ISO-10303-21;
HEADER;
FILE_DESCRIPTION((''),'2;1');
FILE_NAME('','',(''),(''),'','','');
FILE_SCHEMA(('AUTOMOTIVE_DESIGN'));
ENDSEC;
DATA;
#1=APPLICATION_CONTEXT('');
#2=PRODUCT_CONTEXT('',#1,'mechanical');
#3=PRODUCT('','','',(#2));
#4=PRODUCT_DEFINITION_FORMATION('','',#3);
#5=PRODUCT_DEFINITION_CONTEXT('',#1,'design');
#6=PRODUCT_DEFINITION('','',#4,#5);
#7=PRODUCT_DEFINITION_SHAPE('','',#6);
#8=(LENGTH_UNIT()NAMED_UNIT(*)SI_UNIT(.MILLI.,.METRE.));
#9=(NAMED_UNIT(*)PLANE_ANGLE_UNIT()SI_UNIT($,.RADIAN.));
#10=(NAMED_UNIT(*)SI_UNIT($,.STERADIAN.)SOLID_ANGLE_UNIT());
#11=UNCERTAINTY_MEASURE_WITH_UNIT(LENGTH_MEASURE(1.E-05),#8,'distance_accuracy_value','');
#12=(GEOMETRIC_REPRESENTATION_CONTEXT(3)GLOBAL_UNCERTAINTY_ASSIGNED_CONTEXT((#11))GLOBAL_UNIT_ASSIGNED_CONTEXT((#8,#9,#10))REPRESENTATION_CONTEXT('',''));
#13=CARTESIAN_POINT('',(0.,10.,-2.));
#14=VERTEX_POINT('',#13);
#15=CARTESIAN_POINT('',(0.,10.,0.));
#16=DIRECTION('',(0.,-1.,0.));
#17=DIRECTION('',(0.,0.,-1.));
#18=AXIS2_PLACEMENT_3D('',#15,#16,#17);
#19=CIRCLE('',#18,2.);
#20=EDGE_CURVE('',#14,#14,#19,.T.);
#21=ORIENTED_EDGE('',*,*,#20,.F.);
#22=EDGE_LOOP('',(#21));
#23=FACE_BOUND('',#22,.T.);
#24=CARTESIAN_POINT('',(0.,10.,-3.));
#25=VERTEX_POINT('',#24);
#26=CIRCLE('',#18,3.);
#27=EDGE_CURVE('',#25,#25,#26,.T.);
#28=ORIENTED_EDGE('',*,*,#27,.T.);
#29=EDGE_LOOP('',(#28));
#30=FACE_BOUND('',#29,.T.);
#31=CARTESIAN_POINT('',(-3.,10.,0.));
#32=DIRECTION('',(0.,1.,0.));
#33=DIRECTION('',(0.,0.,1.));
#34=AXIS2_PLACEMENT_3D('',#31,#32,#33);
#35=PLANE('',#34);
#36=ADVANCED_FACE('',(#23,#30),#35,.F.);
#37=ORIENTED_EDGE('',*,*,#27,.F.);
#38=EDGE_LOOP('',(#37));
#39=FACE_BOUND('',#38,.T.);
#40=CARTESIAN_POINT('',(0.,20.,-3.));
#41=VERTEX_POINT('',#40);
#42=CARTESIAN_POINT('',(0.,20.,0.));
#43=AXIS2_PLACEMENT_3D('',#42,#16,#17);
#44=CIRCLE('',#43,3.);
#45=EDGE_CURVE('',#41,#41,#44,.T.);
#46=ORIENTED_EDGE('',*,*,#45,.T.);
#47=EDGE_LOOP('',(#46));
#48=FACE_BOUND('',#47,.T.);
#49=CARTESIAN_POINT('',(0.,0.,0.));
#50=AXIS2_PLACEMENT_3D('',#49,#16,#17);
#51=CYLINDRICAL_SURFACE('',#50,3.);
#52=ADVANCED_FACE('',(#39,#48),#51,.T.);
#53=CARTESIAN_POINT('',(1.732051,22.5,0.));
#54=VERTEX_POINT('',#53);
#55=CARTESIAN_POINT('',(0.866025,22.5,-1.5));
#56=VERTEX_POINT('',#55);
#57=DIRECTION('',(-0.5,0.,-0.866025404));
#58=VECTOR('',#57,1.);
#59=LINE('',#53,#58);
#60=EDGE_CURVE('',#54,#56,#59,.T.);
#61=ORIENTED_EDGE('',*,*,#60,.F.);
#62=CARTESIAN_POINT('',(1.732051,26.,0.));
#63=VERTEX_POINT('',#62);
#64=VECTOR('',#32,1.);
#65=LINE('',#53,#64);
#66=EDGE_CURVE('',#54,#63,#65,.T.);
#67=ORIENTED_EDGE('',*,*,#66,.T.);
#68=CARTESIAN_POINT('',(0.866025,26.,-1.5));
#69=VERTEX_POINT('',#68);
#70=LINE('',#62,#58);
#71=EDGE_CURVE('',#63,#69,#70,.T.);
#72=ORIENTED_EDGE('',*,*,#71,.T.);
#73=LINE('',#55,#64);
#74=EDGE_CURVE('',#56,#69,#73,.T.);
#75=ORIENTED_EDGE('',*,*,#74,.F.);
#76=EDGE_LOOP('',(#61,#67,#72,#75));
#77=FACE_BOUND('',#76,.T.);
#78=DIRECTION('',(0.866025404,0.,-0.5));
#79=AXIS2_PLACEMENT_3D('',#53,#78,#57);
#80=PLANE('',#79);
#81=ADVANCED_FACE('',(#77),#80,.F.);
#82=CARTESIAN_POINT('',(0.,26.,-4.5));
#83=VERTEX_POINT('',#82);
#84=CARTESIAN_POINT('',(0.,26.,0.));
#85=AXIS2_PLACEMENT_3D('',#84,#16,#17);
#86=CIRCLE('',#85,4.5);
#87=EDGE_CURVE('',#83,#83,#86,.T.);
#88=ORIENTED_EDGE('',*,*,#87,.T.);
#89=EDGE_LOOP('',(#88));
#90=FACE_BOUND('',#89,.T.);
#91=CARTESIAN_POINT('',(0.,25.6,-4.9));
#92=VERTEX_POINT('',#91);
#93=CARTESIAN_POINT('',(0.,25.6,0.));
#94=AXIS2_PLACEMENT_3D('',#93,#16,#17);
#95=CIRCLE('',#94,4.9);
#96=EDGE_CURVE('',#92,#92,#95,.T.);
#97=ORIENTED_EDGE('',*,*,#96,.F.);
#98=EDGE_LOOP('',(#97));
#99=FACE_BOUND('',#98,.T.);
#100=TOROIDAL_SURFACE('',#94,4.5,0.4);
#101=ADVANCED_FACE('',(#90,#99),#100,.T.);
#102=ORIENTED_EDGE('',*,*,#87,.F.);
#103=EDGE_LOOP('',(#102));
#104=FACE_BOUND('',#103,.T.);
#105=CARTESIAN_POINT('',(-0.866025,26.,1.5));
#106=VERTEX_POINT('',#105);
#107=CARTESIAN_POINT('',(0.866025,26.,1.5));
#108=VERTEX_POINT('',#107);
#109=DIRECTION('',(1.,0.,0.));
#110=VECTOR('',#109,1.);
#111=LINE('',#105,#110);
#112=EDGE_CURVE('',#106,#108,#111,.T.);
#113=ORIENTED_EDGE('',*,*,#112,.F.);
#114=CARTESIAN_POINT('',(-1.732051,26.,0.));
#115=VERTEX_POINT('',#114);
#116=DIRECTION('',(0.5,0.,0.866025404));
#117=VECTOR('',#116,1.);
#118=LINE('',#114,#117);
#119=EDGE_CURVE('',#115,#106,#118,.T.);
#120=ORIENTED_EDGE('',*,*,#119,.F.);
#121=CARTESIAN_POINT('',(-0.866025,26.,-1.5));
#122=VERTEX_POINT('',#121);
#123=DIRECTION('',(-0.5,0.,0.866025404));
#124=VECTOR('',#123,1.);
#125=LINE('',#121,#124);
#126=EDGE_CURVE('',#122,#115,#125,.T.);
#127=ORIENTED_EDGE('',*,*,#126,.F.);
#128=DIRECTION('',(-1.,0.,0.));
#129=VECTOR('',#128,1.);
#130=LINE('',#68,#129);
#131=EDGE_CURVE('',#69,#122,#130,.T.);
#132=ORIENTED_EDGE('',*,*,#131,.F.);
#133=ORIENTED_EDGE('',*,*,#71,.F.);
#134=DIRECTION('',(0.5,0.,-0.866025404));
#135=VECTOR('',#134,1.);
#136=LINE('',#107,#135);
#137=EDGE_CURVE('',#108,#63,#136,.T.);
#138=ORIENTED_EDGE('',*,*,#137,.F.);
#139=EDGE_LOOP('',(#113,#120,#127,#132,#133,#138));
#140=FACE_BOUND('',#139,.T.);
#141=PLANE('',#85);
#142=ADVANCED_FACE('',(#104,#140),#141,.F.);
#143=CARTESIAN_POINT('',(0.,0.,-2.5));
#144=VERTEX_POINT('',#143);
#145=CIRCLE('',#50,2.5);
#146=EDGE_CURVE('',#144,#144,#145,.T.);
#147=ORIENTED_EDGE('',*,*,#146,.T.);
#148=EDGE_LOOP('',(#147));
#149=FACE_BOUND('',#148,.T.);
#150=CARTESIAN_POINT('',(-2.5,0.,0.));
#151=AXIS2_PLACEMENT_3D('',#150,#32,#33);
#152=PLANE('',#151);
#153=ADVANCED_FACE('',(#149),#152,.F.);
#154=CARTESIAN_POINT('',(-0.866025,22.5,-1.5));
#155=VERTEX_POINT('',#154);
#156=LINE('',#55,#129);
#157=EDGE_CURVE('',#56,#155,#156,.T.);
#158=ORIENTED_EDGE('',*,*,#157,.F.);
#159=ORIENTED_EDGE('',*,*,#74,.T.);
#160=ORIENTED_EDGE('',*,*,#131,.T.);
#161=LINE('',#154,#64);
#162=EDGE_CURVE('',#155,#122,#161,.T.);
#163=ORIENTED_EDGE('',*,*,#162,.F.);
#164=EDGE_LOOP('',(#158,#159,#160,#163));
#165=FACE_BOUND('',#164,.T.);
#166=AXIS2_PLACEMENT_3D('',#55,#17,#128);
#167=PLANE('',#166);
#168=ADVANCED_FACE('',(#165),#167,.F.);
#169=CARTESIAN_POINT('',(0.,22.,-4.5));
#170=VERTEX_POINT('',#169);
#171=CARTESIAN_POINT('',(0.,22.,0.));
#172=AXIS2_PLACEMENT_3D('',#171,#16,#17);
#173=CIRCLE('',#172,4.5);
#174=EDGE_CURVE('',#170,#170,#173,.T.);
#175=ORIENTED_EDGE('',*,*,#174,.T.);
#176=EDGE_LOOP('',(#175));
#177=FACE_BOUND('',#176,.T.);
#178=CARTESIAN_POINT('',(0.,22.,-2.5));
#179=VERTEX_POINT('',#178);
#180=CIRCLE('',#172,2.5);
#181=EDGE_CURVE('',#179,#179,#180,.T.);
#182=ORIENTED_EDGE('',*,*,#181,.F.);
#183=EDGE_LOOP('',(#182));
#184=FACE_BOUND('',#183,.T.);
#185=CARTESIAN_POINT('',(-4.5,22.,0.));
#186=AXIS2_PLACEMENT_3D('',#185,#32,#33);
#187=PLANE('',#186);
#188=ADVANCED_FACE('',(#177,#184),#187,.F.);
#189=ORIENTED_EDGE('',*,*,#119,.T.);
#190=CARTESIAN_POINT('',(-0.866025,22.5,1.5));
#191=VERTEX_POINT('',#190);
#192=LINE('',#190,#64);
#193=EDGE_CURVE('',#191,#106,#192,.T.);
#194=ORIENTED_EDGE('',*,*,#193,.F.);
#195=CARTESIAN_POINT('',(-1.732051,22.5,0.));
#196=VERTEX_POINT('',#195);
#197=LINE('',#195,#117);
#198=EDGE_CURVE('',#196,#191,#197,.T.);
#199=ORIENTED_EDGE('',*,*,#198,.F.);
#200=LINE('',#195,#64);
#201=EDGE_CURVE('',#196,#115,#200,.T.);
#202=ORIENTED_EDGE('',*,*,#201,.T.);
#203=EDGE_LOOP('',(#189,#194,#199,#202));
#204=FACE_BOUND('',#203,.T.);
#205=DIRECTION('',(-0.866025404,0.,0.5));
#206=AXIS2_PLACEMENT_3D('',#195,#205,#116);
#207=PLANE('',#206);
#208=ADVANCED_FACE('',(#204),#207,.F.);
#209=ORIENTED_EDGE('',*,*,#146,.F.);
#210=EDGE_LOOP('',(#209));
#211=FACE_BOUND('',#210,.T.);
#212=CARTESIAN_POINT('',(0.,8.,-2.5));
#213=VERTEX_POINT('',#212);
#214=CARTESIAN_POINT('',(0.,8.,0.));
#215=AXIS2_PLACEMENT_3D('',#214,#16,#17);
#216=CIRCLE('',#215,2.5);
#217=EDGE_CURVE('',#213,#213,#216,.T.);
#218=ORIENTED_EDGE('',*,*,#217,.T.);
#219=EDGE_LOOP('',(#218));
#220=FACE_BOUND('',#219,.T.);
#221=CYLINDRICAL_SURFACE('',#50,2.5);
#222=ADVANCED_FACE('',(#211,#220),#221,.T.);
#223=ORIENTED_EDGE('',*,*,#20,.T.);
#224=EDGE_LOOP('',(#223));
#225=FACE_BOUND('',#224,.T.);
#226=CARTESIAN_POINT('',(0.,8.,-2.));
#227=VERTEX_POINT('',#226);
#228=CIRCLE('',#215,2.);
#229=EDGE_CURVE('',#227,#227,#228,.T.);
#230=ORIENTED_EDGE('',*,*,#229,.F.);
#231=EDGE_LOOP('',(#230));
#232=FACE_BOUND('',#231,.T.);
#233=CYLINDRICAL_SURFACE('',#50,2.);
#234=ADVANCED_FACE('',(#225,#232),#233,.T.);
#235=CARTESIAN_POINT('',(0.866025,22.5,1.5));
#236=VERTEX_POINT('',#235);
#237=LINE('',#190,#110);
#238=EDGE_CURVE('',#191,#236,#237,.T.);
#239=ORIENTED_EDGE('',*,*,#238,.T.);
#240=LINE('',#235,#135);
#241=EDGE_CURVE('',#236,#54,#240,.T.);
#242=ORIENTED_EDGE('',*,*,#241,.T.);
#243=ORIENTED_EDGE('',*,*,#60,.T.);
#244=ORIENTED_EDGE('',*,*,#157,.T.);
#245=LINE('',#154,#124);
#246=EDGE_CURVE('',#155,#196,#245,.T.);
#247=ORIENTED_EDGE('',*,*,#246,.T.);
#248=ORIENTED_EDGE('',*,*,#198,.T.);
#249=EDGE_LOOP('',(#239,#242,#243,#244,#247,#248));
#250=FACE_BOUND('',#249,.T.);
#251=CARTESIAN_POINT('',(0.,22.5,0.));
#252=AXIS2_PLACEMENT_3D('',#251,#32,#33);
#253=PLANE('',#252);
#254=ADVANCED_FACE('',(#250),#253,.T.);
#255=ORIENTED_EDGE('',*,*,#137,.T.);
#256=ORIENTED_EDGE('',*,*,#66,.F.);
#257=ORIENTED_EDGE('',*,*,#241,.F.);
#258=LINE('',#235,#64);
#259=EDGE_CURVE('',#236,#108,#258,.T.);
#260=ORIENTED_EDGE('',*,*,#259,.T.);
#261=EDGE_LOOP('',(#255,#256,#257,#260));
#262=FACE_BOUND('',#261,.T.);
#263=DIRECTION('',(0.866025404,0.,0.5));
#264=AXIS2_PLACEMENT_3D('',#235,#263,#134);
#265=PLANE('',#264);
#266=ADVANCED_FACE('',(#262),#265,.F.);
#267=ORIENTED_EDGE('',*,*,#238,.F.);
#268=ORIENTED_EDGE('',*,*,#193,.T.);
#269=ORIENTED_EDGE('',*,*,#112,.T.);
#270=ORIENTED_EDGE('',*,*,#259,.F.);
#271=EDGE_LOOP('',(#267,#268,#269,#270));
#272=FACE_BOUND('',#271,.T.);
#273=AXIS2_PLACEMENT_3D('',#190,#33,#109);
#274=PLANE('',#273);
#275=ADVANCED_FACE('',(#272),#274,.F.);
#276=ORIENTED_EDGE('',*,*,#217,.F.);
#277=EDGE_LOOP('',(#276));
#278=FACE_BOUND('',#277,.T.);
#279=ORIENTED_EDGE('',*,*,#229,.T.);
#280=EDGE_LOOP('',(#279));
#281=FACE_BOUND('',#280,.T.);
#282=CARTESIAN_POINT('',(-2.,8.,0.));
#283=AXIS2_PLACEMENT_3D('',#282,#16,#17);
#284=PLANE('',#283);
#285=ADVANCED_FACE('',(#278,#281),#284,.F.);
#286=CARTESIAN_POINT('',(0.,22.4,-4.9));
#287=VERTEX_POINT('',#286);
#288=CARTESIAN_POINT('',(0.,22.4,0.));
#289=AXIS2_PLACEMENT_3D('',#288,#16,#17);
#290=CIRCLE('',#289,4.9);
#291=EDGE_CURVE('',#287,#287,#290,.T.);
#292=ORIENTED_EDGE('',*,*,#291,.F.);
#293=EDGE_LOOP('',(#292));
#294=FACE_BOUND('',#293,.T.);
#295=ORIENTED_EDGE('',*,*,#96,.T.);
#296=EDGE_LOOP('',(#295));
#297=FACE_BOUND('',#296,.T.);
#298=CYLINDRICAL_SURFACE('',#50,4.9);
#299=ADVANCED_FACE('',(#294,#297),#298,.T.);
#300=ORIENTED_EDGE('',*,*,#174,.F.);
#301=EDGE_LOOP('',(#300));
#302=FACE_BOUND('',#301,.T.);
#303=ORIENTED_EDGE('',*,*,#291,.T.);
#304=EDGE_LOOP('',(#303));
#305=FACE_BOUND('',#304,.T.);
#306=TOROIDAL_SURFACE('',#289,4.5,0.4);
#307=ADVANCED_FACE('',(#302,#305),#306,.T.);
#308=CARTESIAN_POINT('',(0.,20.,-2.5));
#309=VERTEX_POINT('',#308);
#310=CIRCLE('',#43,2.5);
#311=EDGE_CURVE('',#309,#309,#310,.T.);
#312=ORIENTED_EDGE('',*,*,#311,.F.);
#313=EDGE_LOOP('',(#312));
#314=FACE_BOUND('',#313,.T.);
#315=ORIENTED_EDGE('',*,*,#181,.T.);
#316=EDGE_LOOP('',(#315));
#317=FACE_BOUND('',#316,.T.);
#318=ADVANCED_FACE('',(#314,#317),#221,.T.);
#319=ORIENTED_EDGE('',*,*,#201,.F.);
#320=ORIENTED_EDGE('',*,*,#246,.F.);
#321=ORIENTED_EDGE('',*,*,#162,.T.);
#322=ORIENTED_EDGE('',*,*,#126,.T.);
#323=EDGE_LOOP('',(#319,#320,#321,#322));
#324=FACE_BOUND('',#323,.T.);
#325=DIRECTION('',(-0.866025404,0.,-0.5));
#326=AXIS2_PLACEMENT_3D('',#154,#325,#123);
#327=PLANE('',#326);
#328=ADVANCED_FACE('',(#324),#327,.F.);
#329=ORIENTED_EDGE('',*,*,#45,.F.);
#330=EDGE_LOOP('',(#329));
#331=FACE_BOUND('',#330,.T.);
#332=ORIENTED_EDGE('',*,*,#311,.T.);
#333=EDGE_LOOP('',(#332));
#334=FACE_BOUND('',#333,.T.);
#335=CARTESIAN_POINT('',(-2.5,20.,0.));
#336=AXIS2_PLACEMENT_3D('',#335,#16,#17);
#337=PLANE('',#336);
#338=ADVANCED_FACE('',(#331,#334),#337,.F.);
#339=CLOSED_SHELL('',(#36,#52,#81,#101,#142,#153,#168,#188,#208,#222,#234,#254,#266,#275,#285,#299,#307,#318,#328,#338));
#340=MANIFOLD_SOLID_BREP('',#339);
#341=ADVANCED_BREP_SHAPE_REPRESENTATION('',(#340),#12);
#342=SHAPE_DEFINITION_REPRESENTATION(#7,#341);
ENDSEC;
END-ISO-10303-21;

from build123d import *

# Parameters (mm, degrees)
CUT_EXTRUDE_1_DEPTH = 3.5


with BuildPart() as part:
    # 草图1 → 旋转1 (revolve)
    with BuildSketch(Plane.XY, mode=Mode.PRIVATE) as revolve_1_sk:
        with BuildLine():
            Line((0, 26), (-4.5, 26))
            ThreePointArc((-4.5, 26), (-4.782842712, 25.882842712), (-4.9, 25.6))
            Line((-4.9, 25.6), (-4.9, 22.4))
            ThreePointArc((-4.9, 22.4), (-4.782842712, 22.117157288), (-4.5, 22))
            Line((-4.5, 22), (-2.5, 22))
            Line((-2.5, 22), (-2.5, 20))
            Line((-2.5, 20), (-3, 20))
            Line((-3, 20), (-3, 10))
            Line((-3, 10), (-2, 10))
            Line((-2, 10), (-2, 8))
            Line((-2, 8), (-2.5, 8))
            Line((-2.5, 8), (-2.5, 0))
            Line((-2.5, 0), (0, 0))
            Line((0, 0), (0, 26))
        make_face()
    revolve(revolve_1_sk.sketch.rotate(Axis((0, 0, 0), (0, 1, 0)), 270), axis=Axis((0, 0, 0), (0, 1, 0)))

    # 草图2 → 切除-拉伸1 (cut)
    with BuildSketch(Plane(origin=(0, 26, 0), x_dir=(1, 0, 0), z_dir=(0, 1, 0))):
        Polygon((0.866025404, 1.5), (-0.866025404, 1.5), (-1.732050808, 0), (-0.866025404, -1.5), (0.866025404, -1.5), (1.732050808, 0), align=None)
    extrude(amount=-CUT_EXTRUDE_1_DEPTH, mode=Mode.SUBTRACT)


solid = part.part
